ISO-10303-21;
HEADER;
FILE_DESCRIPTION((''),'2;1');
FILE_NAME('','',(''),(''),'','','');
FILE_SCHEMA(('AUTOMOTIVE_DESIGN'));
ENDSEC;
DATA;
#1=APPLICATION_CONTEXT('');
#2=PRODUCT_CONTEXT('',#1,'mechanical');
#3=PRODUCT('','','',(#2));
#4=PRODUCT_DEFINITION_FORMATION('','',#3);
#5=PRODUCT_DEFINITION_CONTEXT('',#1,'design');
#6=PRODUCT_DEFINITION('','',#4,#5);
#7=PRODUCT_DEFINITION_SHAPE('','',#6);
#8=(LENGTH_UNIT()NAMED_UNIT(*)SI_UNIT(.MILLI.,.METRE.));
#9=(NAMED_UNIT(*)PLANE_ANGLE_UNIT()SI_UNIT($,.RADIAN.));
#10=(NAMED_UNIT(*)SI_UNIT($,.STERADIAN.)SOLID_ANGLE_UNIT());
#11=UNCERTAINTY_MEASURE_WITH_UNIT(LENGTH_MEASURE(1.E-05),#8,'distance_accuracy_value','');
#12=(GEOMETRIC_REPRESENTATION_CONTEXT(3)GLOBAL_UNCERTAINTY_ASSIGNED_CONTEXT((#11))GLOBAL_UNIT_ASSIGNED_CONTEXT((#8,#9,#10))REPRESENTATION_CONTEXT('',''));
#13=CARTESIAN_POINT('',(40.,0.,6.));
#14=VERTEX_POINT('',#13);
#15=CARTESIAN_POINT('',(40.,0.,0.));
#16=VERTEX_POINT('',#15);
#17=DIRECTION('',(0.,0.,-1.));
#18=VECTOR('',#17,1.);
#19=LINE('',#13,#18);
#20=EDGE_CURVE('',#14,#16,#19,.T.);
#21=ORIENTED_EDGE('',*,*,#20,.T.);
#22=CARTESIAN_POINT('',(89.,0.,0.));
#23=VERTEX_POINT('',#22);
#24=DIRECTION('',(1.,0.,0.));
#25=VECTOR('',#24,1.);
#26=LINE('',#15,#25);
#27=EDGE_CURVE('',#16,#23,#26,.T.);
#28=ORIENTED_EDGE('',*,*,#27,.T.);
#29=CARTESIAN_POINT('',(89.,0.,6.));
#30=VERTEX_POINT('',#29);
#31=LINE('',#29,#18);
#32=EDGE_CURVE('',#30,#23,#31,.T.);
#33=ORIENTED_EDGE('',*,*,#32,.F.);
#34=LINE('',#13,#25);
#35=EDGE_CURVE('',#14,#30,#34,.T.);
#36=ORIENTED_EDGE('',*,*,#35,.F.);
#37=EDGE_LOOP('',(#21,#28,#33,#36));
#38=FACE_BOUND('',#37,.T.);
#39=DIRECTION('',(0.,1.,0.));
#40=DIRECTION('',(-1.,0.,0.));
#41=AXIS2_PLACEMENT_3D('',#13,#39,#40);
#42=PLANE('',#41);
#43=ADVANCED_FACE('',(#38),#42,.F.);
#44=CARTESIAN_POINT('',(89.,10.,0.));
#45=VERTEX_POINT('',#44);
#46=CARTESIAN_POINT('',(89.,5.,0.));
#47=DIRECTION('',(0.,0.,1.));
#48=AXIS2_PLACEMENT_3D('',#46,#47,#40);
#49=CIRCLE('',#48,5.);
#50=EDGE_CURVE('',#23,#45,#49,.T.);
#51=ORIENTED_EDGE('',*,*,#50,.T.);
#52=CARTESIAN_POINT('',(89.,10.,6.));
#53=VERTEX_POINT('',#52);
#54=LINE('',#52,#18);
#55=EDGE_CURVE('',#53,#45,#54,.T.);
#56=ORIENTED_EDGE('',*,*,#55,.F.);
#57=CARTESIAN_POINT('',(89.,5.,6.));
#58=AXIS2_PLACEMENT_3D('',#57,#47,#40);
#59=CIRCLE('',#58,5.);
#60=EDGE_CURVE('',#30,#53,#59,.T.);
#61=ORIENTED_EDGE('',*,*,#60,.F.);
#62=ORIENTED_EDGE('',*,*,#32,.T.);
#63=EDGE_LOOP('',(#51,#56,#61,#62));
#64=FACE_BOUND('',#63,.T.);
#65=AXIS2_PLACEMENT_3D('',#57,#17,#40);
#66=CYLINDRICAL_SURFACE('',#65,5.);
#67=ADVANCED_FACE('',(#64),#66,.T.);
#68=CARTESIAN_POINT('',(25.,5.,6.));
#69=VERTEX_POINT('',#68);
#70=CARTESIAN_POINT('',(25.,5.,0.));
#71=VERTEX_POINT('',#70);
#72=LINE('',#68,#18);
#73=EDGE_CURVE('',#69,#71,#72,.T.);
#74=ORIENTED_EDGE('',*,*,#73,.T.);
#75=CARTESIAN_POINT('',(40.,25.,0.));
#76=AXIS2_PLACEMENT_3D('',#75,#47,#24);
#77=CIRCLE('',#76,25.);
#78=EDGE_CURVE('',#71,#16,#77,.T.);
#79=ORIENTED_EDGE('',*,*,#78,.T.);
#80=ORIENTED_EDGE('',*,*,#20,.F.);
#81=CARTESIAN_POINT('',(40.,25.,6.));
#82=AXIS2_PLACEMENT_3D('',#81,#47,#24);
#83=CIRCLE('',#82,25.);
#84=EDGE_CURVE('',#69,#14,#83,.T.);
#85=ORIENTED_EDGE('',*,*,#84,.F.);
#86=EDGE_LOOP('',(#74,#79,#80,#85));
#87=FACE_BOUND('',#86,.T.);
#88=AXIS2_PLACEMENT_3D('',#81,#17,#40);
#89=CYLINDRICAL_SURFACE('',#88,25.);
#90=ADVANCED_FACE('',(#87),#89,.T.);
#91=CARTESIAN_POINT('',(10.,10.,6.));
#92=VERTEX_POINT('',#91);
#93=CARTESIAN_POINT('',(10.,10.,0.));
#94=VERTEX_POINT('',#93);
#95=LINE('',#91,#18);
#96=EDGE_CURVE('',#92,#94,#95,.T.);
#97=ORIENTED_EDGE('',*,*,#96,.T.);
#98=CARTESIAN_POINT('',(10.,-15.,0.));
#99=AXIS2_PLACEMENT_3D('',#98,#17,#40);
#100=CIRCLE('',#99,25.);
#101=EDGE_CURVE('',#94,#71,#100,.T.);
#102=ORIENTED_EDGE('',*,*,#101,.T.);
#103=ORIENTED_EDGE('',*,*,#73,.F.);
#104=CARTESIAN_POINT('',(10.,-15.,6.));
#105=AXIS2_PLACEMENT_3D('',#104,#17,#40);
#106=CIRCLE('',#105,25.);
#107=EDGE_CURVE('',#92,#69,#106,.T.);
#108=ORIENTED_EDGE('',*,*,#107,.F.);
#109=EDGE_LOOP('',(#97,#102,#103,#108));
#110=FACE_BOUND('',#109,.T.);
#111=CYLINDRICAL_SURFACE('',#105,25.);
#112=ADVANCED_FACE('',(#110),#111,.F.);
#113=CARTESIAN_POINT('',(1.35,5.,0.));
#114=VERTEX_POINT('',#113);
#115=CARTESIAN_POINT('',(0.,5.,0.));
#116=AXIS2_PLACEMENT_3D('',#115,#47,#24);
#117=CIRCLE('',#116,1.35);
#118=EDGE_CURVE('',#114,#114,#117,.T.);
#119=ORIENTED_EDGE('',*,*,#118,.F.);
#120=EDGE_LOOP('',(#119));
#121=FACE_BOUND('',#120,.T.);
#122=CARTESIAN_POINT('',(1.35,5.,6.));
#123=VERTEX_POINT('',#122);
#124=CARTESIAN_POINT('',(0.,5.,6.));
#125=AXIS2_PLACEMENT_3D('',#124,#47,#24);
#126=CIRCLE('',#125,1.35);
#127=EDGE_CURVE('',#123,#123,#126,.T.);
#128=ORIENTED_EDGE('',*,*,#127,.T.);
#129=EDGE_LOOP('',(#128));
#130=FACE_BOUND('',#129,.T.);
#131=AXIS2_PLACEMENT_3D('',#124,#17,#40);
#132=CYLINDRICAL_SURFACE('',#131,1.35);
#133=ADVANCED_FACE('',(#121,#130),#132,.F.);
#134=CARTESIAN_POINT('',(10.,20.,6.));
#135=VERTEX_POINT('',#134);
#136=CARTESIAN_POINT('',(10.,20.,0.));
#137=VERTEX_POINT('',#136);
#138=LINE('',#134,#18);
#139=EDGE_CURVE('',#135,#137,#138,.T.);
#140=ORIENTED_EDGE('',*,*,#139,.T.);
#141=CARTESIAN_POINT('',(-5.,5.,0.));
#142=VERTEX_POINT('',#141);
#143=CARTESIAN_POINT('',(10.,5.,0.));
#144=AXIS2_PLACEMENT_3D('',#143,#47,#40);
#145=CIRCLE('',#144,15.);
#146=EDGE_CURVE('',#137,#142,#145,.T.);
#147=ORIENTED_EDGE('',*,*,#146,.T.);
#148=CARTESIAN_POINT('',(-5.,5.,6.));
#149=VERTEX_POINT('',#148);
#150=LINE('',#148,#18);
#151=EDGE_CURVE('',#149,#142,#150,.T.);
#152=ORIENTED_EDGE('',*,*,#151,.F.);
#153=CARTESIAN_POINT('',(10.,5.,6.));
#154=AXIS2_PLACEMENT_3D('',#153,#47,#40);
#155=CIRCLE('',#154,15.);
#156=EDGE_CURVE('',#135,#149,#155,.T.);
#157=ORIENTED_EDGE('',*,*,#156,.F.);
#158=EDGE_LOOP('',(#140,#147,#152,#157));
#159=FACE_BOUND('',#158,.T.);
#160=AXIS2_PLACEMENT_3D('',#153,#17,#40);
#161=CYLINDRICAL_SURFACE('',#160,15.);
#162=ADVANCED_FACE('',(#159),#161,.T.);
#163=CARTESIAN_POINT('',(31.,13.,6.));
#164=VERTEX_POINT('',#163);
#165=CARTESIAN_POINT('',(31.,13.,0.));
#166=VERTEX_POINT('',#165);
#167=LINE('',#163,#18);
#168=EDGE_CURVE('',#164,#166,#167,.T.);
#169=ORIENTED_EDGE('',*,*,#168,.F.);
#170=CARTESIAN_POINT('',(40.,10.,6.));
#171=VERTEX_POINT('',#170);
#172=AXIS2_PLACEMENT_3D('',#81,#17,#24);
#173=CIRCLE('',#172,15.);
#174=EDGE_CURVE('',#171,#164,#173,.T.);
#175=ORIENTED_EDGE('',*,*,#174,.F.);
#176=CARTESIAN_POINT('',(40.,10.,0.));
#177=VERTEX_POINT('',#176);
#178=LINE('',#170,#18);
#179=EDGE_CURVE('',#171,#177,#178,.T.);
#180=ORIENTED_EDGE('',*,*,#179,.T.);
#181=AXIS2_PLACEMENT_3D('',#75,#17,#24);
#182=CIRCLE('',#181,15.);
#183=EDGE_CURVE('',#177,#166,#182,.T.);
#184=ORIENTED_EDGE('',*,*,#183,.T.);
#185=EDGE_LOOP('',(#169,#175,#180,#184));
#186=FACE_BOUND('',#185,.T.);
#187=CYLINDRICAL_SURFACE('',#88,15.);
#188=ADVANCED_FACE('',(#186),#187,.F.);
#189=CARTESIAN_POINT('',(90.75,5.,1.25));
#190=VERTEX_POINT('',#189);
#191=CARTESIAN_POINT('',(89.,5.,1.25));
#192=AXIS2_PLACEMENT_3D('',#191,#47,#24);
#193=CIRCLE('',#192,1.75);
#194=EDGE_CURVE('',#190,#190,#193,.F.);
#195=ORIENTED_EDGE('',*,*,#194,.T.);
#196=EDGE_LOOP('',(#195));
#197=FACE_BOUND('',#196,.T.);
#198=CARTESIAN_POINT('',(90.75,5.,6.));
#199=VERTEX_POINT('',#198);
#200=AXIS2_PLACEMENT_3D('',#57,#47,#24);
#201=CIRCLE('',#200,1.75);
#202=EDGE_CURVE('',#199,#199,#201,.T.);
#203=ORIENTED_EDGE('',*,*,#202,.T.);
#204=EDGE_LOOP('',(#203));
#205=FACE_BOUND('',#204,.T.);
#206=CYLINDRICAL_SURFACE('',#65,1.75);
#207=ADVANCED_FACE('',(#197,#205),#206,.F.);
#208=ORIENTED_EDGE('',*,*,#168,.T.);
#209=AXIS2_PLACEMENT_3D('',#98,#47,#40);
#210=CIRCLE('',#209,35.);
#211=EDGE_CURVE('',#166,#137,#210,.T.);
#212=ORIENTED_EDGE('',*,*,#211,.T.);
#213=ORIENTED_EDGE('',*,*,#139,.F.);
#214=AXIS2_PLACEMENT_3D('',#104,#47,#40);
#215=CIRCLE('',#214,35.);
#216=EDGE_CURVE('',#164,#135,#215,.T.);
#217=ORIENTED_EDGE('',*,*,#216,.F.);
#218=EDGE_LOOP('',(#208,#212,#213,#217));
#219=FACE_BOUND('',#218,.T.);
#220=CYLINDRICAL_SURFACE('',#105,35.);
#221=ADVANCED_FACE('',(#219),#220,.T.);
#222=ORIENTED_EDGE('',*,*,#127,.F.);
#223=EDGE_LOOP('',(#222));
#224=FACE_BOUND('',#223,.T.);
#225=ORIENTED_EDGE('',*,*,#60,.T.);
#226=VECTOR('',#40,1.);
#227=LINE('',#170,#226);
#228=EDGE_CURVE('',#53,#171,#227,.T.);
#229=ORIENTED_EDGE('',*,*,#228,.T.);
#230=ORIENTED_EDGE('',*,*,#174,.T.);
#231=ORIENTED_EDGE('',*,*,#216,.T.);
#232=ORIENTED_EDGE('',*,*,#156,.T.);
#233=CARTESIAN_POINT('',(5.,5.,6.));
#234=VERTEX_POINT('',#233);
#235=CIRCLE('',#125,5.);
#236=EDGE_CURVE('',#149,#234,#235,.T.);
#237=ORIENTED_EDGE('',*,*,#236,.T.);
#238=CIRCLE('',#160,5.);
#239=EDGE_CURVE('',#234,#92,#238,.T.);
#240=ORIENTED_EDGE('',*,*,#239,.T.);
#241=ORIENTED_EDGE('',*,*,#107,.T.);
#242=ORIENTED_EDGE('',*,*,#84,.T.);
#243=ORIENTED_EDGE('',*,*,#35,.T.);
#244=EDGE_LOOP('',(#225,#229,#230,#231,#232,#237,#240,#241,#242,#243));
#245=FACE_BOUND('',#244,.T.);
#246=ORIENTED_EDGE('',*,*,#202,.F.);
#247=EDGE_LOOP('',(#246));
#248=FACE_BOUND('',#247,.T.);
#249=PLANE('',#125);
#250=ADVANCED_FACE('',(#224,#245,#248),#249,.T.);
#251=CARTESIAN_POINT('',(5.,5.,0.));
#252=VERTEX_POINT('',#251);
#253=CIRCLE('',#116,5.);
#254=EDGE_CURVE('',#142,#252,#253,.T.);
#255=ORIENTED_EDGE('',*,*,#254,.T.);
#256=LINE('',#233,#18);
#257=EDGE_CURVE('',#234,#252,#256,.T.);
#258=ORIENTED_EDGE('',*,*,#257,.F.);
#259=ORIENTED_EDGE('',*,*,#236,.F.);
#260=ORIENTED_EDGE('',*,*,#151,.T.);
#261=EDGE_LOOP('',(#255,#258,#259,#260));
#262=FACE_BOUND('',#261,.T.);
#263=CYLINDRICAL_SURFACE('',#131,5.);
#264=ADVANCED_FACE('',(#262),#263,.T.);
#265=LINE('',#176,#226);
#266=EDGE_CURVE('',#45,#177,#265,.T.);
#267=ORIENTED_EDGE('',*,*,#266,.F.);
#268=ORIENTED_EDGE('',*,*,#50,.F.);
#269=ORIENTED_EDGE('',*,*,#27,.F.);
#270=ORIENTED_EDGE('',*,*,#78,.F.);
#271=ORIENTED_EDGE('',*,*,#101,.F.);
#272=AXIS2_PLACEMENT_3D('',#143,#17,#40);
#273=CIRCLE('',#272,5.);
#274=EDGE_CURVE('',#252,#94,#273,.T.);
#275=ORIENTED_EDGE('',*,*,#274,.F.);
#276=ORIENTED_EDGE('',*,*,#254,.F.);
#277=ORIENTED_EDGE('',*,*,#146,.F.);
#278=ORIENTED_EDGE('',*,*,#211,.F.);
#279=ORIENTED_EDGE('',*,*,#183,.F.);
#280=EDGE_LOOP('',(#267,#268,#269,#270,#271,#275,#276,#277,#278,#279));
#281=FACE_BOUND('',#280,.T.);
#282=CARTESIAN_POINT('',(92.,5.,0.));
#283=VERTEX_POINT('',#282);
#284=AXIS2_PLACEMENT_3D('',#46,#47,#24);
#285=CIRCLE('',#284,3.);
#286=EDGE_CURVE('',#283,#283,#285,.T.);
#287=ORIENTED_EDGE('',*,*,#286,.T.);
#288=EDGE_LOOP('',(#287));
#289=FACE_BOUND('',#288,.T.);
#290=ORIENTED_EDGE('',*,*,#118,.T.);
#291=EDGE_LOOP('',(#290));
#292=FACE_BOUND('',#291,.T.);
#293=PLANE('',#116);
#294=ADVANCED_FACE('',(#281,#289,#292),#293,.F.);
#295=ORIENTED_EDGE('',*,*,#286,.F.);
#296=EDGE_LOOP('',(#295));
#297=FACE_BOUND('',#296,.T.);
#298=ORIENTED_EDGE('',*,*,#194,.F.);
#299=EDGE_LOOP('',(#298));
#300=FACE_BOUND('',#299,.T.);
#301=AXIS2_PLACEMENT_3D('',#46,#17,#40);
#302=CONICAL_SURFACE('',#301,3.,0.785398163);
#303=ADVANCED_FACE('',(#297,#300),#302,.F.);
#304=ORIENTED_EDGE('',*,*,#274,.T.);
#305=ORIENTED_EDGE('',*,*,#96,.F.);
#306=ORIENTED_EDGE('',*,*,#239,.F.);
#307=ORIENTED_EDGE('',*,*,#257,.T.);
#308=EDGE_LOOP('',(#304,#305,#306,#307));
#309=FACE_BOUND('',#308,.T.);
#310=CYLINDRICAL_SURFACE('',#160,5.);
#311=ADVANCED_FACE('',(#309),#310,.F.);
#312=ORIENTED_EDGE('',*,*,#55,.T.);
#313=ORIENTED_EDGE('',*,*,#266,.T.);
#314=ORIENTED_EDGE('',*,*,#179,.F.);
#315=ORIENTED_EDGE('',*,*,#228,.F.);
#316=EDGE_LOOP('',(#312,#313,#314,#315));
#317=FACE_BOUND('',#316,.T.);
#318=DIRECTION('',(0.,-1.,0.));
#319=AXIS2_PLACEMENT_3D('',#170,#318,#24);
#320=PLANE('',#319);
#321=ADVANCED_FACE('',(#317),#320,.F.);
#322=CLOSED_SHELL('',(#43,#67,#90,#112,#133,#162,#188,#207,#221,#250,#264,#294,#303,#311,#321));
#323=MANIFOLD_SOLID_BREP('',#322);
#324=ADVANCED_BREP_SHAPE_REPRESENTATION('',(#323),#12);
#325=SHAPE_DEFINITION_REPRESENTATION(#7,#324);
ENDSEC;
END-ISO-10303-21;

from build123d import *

# Parameters (mm, degrees)
ESQUISSE1_R        = 1.35
ESQUISSE1_R_2      = 1.75
BOSS_EXTRU_1_DEPTH = 6
CHANFREIN1_SIZE    = 1.25


with BuildPart() as part:
    # Esquisse1 → Boss.-Extru.1 (new body)
    with BuildSketch(Plane.XY):
        with BuildLine():
            Line((40, 10), (89, 10))
            ThreePointArc((89, 10), (94, 5), (89, 0))
            Line((89, 0), (40, 0))
            ThreePointArc((40, 0), (32.09430585, 1.282917549), (25, 5))
            ThreePointArc((25, 5), (17.90569415, 8.717082451), (10, 10))
            ThreePointArc((10, 10), (6.464466094, 8.535533906), (5, 5))
            ThreePointArc((5, 5), (3.535533906, 1.464466094), (0, 0))
            ThreePointArc((0, 0), (-3.535533906, 1.464466094), (-5, 5))
            ThreePointArc((-5, 5), (-0.606601718, 15.606601718), (10, 20))
            ThreePointArc((10, 20), (21.067971811, 18.203915432), (31, 13))
            ThreePointArc((31, 13), (35.25658351, 10.769750529), (40, 10))
        make_face()
        with Locations((0, 5)):
            Circle(ESQUISSE1_R, mode=Mode.SUBTRACT)
        with Locations((89, 5)):
            Circle(ESQUISSE1_R_2, mode=Mode.SUBTRACT)
    extrude(amount=BOSS_EXTRU_1_DEPTH)

    # Chanfrein1
    chanfrein1_edges = [part.edges().sort_by_distance(p)[0] for p in [
        (87.25, 5, 0),
    ]]
    chamfer(chanfrein1_edges, length=CHANFREIN1_SIZE)


solid = part.part
